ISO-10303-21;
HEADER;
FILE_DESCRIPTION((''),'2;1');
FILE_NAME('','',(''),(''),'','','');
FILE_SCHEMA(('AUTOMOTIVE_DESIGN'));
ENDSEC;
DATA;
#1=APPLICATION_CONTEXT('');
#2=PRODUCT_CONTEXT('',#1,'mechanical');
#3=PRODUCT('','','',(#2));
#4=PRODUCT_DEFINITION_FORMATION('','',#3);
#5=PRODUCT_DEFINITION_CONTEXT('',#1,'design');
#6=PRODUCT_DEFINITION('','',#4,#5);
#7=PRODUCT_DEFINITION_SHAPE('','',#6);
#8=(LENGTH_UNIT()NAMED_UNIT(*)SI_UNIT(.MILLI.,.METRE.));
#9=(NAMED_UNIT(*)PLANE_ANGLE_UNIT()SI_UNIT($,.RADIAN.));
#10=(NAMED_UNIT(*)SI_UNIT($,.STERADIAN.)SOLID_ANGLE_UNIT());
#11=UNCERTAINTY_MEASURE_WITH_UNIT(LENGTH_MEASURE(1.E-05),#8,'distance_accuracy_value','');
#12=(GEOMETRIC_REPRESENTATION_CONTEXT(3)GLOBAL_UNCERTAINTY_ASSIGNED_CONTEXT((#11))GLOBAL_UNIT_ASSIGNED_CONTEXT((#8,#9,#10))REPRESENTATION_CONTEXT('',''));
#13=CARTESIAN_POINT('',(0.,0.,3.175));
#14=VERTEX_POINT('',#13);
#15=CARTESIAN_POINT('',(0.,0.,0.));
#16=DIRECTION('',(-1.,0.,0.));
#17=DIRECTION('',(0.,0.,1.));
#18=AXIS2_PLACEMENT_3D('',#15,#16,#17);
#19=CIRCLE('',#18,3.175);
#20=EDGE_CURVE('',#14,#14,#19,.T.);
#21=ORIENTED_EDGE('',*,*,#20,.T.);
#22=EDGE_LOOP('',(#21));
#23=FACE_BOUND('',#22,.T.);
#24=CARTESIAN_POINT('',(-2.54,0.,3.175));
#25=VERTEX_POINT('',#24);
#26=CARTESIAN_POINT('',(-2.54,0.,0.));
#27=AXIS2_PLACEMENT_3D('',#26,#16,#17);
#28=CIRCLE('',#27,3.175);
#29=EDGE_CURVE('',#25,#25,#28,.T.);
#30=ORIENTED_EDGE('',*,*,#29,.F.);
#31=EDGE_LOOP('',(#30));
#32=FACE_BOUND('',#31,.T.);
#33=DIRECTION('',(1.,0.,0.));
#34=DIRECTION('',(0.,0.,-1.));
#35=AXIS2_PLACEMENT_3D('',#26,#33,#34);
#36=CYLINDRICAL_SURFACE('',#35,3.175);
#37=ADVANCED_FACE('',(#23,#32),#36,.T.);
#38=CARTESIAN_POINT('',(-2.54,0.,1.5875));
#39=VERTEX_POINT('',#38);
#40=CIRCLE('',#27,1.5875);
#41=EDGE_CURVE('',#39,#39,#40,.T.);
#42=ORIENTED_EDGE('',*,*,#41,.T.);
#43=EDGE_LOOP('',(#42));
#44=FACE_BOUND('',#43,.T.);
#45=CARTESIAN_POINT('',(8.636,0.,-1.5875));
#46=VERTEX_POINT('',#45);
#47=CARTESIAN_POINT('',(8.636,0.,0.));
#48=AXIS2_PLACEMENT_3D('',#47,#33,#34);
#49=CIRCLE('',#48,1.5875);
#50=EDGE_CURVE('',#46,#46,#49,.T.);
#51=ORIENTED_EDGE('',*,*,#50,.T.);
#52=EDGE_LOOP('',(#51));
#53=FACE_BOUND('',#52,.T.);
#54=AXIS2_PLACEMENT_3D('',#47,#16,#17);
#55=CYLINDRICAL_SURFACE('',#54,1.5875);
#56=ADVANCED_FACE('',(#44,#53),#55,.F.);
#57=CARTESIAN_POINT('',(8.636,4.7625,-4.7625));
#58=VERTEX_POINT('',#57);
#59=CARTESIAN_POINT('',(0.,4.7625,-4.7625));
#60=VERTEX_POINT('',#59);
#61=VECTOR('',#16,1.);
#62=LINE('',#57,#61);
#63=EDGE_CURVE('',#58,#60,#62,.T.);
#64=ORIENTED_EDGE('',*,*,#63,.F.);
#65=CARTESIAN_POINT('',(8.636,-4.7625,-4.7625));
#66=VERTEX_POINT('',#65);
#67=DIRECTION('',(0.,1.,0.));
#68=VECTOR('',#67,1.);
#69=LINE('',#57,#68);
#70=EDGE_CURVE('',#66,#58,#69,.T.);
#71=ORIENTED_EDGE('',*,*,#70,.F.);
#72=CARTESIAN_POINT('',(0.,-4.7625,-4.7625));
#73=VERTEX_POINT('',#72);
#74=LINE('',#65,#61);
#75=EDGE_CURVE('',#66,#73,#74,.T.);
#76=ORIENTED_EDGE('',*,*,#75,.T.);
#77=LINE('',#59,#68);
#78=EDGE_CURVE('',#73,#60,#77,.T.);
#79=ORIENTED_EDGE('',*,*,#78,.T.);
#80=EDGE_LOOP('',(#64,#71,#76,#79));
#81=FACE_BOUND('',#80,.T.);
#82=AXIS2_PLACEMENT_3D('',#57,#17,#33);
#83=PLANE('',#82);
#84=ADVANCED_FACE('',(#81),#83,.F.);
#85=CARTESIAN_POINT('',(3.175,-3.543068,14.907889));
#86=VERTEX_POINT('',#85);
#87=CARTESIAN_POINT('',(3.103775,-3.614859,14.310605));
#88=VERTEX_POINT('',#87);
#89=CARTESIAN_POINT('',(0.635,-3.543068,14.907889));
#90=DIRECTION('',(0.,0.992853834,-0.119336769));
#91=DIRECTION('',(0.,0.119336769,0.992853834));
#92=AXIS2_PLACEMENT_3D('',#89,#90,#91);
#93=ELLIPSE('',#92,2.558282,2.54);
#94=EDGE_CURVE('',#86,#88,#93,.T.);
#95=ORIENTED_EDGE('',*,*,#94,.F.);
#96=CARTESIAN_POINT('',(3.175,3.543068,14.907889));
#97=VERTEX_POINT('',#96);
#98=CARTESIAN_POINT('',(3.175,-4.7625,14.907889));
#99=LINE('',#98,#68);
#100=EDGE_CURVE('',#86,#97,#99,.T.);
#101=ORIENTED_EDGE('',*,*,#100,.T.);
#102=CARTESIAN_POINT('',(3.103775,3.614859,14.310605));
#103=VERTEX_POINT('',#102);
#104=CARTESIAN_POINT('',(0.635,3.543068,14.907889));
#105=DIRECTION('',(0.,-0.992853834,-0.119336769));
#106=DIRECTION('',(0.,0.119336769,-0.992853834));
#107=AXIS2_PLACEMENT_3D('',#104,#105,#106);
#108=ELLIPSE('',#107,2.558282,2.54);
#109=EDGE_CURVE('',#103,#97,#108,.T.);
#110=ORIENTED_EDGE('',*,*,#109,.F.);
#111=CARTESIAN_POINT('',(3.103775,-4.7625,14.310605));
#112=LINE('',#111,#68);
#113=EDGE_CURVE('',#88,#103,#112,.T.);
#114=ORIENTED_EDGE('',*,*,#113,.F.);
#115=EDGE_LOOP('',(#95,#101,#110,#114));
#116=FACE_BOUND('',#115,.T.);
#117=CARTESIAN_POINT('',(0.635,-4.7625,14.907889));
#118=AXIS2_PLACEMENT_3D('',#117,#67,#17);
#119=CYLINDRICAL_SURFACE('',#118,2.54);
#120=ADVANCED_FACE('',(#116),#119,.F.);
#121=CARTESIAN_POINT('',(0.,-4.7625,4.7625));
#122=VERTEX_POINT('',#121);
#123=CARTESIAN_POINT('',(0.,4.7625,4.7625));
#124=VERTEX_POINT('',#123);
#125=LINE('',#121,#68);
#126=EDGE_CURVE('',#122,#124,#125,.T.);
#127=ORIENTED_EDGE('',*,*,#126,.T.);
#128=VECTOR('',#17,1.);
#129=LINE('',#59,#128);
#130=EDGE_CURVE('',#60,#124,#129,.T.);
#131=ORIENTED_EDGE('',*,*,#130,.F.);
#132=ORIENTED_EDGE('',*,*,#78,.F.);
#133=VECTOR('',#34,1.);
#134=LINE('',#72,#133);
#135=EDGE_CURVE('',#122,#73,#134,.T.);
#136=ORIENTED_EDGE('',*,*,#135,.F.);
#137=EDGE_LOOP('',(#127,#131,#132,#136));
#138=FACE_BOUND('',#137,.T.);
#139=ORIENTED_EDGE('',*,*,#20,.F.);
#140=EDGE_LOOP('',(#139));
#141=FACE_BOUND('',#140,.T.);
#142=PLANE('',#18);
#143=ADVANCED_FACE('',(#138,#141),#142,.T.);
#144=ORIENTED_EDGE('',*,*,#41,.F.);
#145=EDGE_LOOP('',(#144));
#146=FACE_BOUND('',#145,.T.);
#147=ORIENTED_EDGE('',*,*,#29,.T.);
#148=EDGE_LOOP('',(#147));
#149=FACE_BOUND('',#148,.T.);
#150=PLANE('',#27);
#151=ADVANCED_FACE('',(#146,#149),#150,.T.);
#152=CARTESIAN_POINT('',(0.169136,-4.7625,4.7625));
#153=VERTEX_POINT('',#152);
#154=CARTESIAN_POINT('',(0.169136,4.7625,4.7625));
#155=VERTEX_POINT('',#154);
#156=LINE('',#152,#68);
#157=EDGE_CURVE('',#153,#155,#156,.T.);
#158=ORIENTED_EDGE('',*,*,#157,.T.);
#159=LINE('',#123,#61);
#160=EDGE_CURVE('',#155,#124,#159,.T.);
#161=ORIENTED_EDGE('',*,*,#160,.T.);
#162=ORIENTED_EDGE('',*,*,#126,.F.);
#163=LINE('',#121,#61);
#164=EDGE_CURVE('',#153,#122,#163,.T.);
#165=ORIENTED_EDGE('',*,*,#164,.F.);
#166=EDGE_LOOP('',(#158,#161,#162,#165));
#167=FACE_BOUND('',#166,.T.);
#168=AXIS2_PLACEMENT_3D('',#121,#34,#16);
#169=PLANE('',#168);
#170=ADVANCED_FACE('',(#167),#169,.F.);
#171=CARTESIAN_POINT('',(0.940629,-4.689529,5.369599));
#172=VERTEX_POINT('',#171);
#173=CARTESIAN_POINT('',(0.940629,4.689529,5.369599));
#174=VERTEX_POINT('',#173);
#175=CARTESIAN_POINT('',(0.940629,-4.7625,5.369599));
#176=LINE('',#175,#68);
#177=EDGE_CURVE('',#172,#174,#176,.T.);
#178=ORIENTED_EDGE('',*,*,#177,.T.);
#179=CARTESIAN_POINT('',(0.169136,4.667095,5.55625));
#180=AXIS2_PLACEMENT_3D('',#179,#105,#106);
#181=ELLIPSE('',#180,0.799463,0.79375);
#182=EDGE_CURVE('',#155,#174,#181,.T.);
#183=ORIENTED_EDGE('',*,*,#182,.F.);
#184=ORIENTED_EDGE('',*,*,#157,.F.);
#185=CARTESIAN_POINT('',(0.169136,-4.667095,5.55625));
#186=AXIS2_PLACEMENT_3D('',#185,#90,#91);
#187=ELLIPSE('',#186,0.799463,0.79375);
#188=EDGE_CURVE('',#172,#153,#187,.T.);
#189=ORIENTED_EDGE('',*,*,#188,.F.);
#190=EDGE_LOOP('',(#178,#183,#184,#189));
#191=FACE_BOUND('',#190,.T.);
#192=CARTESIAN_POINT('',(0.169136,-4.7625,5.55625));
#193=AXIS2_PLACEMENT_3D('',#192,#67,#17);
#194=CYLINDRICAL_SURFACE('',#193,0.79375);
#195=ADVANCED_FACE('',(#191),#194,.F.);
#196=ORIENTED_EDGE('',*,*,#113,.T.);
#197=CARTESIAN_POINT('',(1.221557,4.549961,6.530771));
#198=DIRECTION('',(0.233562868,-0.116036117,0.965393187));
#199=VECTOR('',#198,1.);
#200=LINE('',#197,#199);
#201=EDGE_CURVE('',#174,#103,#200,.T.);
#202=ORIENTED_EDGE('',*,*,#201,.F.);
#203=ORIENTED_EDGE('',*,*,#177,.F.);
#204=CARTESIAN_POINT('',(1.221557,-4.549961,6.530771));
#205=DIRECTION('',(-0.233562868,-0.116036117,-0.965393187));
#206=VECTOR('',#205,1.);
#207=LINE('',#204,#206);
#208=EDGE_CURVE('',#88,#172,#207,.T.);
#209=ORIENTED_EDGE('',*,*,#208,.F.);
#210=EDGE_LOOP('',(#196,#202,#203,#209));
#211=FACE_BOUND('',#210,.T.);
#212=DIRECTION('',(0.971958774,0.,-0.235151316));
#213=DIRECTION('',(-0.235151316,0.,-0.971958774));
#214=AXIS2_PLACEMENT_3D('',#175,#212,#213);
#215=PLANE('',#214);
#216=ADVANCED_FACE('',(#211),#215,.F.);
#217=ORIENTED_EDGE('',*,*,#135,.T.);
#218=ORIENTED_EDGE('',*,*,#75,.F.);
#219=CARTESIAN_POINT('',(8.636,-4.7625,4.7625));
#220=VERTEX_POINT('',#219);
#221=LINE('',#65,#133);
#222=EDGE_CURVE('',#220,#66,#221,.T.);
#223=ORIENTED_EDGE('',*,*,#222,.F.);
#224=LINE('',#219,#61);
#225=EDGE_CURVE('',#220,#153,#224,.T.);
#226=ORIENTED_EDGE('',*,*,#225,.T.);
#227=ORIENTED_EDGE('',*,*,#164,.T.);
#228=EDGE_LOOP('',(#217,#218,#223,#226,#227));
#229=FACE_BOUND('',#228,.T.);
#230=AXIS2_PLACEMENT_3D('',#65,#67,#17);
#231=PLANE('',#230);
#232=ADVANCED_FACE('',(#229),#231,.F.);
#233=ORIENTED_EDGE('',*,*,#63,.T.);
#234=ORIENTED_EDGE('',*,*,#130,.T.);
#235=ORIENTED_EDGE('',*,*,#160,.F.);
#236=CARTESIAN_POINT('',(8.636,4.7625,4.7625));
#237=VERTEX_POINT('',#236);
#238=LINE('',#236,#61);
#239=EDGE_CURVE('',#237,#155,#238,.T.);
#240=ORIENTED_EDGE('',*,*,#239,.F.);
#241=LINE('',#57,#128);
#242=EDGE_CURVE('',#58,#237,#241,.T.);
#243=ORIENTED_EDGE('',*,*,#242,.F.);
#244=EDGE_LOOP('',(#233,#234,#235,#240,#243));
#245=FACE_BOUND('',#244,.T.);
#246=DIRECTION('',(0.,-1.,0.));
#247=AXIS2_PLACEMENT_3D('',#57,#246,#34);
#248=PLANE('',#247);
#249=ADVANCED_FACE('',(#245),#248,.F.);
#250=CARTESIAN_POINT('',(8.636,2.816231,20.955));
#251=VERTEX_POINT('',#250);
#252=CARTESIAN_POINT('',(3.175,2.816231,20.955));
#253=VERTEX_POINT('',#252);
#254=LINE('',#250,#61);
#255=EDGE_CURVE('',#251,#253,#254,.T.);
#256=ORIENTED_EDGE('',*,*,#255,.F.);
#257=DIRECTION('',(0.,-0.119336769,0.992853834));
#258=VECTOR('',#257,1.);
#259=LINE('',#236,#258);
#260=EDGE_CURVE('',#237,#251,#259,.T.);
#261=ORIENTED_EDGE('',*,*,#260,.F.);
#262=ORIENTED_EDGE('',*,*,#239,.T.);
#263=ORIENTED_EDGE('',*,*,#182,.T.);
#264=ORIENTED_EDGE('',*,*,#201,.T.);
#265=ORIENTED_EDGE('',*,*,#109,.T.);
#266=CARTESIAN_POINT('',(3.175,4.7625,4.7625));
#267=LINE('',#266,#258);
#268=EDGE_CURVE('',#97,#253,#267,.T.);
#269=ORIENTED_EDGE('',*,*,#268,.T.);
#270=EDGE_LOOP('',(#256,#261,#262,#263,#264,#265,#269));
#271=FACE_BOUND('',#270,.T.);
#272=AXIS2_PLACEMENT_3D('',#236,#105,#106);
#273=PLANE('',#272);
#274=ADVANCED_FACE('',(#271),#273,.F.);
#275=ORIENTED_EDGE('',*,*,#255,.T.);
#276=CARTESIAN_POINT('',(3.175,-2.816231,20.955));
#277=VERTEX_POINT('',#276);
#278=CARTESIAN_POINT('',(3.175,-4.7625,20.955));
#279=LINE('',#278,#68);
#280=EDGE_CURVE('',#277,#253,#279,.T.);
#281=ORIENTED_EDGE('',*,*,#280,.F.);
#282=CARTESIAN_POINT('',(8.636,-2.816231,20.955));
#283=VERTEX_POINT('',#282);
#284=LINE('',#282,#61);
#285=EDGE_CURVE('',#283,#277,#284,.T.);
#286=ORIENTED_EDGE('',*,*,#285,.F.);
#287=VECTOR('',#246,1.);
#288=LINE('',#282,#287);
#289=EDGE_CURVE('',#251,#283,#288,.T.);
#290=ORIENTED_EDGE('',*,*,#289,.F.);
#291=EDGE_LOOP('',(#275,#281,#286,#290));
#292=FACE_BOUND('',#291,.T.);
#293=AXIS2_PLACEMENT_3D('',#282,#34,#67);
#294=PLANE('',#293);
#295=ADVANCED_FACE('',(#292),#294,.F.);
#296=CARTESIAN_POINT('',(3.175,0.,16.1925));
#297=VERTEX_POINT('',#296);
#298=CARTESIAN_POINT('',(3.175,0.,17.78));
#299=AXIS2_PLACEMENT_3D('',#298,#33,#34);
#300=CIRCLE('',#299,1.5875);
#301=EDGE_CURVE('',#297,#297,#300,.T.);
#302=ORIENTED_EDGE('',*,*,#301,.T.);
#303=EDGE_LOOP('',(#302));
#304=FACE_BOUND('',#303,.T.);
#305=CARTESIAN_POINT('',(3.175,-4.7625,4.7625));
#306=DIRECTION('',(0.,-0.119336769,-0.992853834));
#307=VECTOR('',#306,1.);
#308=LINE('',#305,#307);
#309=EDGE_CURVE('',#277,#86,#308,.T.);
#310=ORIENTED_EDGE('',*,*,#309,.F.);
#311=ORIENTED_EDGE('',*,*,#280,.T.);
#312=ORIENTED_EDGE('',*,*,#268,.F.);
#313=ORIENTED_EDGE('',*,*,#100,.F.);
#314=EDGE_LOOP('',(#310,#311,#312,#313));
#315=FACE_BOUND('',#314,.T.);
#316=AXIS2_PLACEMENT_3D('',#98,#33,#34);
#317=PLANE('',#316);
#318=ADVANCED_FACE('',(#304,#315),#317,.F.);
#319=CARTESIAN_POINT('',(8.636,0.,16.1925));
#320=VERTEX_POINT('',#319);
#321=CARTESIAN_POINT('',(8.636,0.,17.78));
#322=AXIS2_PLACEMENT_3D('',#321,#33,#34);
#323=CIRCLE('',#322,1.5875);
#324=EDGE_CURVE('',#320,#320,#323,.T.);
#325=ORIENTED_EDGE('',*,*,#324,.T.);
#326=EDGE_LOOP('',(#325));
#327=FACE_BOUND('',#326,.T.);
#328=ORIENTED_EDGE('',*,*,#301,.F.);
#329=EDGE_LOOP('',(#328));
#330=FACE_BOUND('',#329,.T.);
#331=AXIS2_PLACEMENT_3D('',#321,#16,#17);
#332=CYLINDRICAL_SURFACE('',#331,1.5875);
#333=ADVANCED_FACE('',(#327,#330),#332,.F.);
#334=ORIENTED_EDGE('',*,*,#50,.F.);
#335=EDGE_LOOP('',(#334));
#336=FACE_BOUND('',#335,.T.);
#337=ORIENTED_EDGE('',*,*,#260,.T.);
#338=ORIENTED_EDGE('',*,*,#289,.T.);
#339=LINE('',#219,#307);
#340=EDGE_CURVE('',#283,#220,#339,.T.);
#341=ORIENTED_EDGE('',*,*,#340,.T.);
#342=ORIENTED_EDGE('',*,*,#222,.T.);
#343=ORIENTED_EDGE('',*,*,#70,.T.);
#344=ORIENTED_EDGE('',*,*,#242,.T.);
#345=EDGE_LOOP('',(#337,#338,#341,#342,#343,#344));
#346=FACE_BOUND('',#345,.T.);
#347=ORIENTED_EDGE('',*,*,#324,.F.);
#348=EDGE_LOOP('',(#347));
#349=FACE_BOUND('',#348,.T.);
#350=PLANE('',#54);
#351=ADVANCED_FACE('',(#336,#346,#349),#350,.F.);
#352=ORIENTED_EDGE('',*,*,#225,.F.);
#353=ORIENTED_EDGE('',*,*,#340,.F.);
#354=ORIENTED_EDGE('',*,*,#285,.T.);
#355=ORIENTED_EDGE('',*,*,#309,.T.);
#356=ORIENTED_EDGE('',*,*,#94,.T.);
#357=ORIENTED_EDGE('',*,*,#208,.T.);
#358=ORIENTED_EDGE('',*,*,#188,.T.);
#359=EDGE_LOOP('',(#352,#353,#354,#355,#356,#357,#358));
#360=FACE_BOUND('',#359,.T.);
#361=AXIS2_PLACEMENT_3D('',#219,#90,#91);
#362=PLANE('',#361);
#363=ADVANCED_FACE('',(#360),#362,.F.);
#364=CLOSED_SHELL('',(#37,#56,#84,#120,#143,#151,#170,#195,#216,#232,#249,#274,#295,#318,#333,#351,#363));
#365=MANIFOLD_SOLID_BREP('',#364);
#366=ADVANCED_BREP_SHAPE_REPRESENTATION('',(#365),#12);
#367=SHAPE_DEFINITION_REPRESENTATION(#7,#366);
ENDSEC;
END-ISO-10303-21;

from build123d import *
from build123d.topology import SkipClean

# Parameters (mm, degrees)
SKETCH1_R               = 1.5875
BOSS_EXTRUDE1_DEPTH     = 8.636
CUT_EXTRUDE1_DEPTH      = 24.159747996
CUT_EXTRUDE1_DEPTH_BACK = 24.159747996
BOSS_EXTRUDE2_START     = 2.54
SKETCH3_R               = 3.175
SKETCH3_R_2             = 1.5875
BOSS_EXTRUDE2_DEPTH     = 2.54


with BuildPart() as part:
    # Sketch1 → Boss-Extrude1 (new body)
    with BuildSketch(Plane(origin=(0, 0, 0), x_dir=(0, 0, -1), z_dir=(1, 0, 0))):
        Polygon((4.7625, 4.7625), (4.7625, -4.7625), (-4.7625, -4.7625), (-20.955, -2.816231014), (-20.955, 2.816231014), (-4.7625, 4.7625), align=None)
        Circle(SKETCH1_R, mode=Mode.SUBTRACT)
        with Locations((-17.78, 0)):
            Circle(SKETCH1_R, mode=Mode.SUBTRACT)
    extrude(amount=BOSS_EXTRUDE1_DEPTH)

    # Sketch2 → Cut-Extrude1 (cut, two sides: drawn at the far end of the back side and taken through both)
    with BuildSketch(Plane(origin=(0, 0, 0), x_dir=(1, 0, 0), z_dir=(0, 1, 0)).offset(-CUT_EXTRUDE1_DEPTH_BACK)):
        with BuildLine():
            Line((0.940628704, -5.369598643), (3.103775286, -14.310604516))
            ThreePointArc((3.103775286, -14.310604516), (3.157130967, -14.607130839), (3.175, -14.907888859))
            Line((3.175, -14.907888859), (3.175, -20.955))
            Line((3.175, -20.955), (0, -20.955))
            Line((0, -20.955), (0, -4.7625))
            Line((0, -4.7625), (0.169136427, -4.7625))
            ThreePointArc((0.169136427, -4.7625), (0.659995138, -4.932473767), (0.940628704, -5.369598643))
        make_face()
    extrude(amount=CUT_EXTRUDE1_DEPTH + CUT_EXTRUDE1_DEPTH_BACK, mode=Mode.SUBTRACT)

    # Sketch3 → Boss-Extrude2 (add)
    with SkipClean():  # the faces are left unmerged after this step: merging them gives an invalid solid
        with BuildSketch(Plane.ZY.offset(BOSS_EXTRUDE2_START)):
            Circle(SKETCH3_R)
            Circle(SKETCH3_R_2, mode=Mode.SUBTRACT)
        extrude(amount=-BOSS_EXTRUDE2_DEPTH)


solid = part.part
